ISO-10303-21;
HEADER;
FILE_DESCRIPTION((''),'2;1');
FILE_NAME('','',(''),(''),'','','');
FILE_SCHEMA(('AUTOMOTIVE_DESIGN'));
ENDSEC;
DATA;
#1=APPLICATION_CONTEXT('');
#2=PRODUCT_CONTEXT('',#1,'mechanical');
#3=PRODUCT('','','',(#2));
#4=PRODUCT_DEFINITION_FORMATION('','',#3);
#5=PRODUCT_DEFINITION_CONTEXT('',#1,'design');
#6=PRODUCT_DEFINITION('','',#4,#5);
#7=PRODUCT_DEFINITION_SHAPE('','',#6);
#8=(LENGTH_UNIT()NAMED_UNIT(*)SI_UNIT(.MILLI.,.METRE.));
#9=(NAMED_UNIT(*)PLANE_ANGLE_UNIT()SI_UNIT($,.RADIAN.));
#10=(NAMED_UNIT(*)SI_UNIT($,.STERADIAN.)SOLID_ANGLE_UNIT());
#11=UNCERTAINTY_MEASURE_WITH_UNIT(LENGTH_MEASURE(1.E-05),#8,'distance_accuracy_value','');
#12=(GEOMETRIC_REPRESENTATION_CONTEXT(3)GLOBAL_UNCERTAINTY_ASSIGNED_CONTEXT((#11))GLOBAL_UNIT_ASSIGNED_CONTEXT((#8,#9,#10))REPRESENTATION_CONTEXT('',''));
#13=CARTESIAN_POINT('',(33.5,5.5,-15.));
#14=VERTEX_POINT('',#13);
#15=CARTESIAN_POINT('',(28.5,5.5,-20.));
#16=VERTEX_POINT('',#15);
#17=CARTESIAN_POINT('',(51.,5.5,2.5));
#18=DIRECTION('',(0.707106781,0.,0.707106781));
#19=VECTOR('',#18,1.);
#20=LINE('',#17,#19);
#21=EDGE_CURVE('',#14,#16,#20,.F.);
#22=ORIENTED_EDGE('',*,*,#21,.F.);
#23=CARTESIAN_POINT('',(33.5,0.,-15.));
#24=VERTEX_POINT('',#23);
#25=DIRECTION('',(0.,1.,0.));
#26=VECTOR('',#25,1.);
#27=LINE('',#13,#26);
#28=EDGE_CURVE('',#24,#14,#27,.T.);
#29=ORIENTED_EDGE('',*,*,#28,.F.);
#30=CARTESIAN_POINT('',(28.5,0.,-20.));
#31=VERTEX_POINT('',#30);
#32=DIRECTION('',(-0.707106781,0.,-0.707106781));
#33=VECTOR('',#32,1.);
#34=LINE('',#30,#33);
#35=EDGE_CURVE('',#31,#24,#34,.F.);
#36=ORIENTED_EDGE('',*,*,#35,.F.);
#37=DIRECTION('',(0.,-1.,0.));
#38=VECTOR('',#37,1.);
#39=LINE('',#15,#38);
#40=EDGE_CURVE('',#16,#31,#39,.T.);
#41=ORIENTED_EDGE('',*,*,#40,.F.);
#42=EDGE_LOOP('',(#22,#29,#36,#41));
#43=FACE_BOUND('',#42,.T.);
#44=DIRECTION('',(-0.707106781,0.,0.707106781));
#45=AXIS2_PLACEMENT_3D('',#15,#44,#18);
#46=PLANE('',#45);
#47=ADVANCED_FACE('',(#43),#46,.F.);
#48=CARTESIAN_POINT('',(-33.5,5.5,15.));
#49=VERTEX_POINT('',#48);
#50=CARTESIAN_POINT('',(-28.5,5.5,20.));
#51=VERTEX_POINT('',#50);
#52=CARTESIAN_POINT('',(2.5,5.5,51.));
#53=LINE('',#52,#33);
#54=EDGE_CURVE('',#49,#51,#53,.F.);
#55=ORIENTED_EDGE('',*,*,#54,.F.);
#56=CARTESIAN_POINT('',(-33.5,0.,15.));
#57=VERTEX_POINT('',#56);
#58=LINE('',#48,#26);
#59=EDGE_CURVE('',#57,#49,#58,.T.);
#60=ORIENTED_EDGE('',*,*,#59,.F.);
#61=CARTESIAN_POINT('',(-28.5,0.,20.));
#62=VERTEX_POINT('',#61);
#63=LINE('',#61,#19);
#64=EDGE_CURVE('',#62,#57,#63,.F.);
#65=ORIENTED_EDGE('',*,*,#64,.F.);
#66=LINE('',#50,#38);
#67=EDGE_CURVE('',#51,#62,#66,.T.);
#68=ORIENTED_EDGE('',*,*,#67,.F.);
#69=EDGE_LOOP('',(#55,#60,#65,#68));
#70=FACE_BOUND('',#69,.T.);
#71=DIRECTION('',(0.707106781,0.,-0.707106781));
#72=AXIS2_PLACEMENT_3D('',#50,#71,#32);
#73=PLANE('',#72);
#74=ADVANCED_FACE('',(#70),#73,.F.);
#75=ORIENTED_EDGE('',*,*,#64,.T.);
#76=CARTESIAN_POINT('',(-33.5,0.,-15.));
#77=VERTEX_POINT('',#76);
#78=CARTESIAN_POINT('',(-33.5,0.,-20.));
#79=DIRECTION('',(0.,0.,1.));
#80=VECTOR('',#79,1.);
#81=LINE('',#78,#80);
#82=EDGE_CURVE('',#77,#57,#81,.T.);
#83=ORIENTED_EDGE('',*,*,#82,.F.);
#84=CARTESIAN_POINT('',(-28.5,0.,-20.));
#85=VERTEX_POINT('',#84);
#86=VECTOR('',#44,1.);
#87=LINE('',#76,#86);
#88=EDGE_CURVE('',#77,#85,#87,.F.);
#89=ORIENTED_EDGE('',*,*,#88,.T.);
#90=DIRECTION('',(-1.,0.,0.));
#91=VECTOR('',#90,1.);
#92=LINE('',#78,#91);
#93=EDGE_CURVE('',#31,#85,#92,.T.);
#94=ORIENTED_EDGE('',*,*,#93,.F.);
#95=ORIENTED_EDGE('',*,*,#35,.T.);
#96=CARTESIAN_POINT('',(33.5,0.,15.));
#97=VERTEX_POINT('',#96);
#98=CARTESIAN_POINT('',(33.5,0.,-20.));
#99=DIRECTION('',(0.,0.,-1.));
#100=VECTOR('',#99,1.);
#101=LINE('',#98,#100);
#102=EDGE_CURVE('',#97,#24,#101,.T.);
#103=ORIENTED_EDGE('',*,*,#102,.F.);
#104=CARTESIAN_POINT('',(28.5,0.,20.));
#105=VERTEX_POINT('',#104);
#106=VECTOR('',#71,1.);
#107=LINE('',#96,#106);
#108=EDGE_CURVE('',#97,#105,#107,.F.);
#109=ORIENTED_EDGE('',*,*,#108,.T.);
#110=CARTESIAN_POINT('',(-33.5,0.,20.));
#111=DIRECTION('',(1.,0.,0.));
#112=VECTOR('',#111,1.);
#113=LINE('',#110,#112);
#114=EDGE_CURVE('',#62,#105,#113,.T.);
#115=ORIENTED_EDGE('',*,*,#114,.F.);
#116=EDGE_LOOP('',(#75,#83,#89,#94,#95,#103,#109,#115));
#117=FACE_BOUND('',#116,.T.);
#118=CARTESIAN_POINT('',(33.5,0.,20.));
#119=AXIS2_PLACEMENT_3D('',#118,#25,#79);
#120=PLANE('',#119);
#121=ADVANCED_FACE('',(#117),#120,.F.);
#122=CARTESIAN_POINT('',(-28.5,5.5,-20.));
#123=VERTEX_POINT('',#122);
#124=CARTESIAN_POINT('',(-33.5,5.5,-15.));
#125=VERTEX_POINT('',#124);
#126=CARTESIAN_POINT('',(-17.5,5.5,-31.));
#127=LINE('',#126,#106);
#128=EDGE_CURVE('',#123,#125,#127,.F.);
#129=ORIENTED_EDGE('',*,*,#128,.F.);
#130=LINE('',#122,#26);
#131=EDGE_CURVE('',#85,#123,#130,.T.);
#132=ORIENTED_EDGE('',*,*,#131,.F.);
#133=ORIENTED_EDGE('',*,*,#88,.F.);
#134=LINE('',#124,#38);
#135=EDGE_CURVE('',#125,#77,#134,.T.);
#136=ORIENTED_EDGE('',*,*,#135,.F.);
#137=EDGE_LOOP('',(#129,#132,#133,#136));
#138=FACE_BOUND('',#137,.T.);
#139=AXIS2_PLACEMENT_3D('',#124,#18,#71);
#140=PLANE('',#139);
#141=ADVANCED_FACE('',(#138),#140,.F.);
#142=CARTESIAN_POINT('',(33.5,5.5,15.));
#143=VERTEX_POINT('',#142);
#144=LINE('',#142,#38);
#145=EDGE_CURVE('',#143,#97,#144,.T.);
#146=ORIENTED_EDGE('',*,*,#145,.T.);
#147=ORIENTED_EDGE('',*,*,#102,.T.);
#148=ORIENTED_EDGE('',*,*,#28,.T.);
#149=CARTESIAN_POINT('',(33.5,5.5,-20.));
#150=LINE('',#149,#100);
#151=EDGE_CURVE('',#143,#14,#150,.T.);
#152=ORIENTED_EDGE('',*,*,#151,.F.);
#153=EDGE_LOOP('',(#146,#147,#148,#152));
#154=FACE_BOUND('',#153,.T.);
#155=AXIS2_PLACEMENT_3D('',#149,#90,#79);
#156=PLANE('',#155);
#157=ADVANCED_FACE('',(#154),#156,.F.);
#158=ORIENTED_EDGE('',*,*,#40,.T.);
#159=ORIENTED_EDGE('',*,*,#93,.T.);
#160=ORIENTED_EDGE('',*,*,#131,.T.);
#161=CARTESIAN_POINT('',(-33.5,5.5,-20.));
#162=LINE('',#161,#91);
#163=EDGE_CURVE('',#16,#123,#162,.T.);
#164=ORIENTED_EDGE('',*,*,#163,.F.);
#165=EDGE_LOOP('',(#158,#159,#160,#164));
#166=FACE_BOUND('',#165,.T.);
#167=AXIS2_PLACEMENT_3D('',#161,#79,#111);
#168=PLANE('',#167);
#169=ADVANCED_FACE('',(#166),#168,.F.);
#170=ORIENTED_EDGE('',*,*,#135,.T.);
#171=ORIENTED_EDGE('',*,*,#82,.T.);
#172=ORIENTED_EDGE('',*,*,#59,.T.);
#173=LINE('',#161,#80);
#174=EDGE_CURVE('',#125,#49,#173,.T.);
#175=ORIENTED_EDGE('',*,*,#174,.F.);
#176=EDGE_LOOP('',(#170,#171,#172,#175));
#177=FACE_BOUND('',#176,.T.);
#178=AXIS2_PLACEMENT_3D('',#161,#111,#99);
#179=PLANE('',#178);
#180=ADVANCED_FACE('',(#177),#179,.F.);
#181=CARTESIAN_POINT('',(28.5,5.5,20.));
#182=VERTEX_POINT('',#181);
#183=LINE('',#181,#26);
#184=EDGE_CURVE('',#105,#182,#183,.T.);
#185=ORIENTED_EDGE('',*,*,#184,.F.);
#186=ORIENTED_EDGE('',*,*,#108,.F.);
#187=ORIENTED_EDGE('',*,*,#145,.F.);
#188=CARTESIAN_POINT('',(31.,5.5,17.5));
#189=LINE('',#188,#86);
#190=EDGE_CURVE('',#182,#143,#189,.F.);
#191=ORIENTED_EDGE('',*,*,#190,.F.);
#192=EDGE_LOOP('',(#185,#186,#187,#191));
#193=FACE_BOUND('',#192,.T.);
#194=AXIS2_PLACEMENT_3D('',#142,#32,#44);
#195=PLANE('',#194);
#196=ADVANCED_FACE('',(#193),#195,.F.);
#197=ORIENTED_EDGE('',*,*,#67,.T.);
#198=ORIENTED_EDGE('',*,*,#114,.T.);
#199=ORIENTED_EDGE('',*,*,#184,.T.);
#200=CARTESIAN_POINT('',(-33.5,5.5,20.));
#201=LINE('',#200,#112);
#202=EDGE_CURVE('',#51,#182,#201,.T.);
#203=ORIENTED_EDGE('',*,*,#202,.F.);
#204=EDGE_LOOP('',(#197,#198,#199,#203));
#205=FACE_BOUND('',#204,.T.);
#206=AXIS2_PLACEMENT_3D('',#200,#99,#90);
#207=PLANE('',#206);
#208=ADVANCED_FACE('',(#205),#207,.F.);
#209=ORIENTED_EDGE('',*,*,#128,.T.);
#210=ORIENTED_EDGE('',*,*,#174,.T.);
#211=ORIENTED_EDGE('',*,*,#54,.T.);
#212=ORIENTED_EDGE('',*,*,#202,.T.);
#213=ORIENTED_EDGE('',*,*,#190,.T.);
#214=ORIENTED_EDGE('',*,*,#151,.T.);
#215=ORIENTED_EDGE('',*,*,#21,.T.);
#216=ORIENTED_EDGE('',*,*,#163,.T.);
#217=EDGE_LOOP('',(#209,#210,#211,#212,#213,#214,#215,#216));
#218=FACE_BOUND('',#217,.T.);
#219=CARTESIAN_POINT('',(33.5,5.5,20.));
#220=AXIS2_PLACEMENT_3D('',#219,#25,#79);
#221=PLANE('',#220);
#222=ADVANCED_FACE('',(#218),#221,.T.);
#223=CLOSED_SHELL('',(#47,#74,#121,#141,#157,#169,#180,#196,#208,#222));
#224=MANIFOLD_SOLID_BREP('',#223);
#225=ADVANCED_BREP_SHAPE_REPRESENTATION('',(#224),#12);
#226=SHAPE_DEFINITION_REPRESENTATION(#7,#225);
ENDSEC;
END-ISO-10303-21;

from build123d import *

# Parameters (mm, degrees)
SKETCH2_W      = 67
SKETCH2_H      = 40
EXTRUDE1_DEPTH = 5.5
CHAMFER1_SIZE  = 5


with BuildPart() as part:
    # Sketch2 → Extrude1 (new body)
    with BuildSketch(Plane(origin=(0, 0, 0), x_dir=(1, 0, 0), z_dir=(0, 1, 0))):
        Rectangle(SKETCH2_W, SKETCH2_H)
    extrude(amount=EXTRUDE1_DEPTH)

    # Chamfer1
    chamfer1_edges = [part.edges().sort_by_distance(p)[0] for p in [
        (33.5, 2.75, 20),
        (-33.5, 2.75, 20),
        (-33.5, 2.75, -20),
        (33.5, 2.75, -20),
    ]]
    chamfer(chamfer1_edges, length=CHAMFER1_SIZE)


solid = part.part
